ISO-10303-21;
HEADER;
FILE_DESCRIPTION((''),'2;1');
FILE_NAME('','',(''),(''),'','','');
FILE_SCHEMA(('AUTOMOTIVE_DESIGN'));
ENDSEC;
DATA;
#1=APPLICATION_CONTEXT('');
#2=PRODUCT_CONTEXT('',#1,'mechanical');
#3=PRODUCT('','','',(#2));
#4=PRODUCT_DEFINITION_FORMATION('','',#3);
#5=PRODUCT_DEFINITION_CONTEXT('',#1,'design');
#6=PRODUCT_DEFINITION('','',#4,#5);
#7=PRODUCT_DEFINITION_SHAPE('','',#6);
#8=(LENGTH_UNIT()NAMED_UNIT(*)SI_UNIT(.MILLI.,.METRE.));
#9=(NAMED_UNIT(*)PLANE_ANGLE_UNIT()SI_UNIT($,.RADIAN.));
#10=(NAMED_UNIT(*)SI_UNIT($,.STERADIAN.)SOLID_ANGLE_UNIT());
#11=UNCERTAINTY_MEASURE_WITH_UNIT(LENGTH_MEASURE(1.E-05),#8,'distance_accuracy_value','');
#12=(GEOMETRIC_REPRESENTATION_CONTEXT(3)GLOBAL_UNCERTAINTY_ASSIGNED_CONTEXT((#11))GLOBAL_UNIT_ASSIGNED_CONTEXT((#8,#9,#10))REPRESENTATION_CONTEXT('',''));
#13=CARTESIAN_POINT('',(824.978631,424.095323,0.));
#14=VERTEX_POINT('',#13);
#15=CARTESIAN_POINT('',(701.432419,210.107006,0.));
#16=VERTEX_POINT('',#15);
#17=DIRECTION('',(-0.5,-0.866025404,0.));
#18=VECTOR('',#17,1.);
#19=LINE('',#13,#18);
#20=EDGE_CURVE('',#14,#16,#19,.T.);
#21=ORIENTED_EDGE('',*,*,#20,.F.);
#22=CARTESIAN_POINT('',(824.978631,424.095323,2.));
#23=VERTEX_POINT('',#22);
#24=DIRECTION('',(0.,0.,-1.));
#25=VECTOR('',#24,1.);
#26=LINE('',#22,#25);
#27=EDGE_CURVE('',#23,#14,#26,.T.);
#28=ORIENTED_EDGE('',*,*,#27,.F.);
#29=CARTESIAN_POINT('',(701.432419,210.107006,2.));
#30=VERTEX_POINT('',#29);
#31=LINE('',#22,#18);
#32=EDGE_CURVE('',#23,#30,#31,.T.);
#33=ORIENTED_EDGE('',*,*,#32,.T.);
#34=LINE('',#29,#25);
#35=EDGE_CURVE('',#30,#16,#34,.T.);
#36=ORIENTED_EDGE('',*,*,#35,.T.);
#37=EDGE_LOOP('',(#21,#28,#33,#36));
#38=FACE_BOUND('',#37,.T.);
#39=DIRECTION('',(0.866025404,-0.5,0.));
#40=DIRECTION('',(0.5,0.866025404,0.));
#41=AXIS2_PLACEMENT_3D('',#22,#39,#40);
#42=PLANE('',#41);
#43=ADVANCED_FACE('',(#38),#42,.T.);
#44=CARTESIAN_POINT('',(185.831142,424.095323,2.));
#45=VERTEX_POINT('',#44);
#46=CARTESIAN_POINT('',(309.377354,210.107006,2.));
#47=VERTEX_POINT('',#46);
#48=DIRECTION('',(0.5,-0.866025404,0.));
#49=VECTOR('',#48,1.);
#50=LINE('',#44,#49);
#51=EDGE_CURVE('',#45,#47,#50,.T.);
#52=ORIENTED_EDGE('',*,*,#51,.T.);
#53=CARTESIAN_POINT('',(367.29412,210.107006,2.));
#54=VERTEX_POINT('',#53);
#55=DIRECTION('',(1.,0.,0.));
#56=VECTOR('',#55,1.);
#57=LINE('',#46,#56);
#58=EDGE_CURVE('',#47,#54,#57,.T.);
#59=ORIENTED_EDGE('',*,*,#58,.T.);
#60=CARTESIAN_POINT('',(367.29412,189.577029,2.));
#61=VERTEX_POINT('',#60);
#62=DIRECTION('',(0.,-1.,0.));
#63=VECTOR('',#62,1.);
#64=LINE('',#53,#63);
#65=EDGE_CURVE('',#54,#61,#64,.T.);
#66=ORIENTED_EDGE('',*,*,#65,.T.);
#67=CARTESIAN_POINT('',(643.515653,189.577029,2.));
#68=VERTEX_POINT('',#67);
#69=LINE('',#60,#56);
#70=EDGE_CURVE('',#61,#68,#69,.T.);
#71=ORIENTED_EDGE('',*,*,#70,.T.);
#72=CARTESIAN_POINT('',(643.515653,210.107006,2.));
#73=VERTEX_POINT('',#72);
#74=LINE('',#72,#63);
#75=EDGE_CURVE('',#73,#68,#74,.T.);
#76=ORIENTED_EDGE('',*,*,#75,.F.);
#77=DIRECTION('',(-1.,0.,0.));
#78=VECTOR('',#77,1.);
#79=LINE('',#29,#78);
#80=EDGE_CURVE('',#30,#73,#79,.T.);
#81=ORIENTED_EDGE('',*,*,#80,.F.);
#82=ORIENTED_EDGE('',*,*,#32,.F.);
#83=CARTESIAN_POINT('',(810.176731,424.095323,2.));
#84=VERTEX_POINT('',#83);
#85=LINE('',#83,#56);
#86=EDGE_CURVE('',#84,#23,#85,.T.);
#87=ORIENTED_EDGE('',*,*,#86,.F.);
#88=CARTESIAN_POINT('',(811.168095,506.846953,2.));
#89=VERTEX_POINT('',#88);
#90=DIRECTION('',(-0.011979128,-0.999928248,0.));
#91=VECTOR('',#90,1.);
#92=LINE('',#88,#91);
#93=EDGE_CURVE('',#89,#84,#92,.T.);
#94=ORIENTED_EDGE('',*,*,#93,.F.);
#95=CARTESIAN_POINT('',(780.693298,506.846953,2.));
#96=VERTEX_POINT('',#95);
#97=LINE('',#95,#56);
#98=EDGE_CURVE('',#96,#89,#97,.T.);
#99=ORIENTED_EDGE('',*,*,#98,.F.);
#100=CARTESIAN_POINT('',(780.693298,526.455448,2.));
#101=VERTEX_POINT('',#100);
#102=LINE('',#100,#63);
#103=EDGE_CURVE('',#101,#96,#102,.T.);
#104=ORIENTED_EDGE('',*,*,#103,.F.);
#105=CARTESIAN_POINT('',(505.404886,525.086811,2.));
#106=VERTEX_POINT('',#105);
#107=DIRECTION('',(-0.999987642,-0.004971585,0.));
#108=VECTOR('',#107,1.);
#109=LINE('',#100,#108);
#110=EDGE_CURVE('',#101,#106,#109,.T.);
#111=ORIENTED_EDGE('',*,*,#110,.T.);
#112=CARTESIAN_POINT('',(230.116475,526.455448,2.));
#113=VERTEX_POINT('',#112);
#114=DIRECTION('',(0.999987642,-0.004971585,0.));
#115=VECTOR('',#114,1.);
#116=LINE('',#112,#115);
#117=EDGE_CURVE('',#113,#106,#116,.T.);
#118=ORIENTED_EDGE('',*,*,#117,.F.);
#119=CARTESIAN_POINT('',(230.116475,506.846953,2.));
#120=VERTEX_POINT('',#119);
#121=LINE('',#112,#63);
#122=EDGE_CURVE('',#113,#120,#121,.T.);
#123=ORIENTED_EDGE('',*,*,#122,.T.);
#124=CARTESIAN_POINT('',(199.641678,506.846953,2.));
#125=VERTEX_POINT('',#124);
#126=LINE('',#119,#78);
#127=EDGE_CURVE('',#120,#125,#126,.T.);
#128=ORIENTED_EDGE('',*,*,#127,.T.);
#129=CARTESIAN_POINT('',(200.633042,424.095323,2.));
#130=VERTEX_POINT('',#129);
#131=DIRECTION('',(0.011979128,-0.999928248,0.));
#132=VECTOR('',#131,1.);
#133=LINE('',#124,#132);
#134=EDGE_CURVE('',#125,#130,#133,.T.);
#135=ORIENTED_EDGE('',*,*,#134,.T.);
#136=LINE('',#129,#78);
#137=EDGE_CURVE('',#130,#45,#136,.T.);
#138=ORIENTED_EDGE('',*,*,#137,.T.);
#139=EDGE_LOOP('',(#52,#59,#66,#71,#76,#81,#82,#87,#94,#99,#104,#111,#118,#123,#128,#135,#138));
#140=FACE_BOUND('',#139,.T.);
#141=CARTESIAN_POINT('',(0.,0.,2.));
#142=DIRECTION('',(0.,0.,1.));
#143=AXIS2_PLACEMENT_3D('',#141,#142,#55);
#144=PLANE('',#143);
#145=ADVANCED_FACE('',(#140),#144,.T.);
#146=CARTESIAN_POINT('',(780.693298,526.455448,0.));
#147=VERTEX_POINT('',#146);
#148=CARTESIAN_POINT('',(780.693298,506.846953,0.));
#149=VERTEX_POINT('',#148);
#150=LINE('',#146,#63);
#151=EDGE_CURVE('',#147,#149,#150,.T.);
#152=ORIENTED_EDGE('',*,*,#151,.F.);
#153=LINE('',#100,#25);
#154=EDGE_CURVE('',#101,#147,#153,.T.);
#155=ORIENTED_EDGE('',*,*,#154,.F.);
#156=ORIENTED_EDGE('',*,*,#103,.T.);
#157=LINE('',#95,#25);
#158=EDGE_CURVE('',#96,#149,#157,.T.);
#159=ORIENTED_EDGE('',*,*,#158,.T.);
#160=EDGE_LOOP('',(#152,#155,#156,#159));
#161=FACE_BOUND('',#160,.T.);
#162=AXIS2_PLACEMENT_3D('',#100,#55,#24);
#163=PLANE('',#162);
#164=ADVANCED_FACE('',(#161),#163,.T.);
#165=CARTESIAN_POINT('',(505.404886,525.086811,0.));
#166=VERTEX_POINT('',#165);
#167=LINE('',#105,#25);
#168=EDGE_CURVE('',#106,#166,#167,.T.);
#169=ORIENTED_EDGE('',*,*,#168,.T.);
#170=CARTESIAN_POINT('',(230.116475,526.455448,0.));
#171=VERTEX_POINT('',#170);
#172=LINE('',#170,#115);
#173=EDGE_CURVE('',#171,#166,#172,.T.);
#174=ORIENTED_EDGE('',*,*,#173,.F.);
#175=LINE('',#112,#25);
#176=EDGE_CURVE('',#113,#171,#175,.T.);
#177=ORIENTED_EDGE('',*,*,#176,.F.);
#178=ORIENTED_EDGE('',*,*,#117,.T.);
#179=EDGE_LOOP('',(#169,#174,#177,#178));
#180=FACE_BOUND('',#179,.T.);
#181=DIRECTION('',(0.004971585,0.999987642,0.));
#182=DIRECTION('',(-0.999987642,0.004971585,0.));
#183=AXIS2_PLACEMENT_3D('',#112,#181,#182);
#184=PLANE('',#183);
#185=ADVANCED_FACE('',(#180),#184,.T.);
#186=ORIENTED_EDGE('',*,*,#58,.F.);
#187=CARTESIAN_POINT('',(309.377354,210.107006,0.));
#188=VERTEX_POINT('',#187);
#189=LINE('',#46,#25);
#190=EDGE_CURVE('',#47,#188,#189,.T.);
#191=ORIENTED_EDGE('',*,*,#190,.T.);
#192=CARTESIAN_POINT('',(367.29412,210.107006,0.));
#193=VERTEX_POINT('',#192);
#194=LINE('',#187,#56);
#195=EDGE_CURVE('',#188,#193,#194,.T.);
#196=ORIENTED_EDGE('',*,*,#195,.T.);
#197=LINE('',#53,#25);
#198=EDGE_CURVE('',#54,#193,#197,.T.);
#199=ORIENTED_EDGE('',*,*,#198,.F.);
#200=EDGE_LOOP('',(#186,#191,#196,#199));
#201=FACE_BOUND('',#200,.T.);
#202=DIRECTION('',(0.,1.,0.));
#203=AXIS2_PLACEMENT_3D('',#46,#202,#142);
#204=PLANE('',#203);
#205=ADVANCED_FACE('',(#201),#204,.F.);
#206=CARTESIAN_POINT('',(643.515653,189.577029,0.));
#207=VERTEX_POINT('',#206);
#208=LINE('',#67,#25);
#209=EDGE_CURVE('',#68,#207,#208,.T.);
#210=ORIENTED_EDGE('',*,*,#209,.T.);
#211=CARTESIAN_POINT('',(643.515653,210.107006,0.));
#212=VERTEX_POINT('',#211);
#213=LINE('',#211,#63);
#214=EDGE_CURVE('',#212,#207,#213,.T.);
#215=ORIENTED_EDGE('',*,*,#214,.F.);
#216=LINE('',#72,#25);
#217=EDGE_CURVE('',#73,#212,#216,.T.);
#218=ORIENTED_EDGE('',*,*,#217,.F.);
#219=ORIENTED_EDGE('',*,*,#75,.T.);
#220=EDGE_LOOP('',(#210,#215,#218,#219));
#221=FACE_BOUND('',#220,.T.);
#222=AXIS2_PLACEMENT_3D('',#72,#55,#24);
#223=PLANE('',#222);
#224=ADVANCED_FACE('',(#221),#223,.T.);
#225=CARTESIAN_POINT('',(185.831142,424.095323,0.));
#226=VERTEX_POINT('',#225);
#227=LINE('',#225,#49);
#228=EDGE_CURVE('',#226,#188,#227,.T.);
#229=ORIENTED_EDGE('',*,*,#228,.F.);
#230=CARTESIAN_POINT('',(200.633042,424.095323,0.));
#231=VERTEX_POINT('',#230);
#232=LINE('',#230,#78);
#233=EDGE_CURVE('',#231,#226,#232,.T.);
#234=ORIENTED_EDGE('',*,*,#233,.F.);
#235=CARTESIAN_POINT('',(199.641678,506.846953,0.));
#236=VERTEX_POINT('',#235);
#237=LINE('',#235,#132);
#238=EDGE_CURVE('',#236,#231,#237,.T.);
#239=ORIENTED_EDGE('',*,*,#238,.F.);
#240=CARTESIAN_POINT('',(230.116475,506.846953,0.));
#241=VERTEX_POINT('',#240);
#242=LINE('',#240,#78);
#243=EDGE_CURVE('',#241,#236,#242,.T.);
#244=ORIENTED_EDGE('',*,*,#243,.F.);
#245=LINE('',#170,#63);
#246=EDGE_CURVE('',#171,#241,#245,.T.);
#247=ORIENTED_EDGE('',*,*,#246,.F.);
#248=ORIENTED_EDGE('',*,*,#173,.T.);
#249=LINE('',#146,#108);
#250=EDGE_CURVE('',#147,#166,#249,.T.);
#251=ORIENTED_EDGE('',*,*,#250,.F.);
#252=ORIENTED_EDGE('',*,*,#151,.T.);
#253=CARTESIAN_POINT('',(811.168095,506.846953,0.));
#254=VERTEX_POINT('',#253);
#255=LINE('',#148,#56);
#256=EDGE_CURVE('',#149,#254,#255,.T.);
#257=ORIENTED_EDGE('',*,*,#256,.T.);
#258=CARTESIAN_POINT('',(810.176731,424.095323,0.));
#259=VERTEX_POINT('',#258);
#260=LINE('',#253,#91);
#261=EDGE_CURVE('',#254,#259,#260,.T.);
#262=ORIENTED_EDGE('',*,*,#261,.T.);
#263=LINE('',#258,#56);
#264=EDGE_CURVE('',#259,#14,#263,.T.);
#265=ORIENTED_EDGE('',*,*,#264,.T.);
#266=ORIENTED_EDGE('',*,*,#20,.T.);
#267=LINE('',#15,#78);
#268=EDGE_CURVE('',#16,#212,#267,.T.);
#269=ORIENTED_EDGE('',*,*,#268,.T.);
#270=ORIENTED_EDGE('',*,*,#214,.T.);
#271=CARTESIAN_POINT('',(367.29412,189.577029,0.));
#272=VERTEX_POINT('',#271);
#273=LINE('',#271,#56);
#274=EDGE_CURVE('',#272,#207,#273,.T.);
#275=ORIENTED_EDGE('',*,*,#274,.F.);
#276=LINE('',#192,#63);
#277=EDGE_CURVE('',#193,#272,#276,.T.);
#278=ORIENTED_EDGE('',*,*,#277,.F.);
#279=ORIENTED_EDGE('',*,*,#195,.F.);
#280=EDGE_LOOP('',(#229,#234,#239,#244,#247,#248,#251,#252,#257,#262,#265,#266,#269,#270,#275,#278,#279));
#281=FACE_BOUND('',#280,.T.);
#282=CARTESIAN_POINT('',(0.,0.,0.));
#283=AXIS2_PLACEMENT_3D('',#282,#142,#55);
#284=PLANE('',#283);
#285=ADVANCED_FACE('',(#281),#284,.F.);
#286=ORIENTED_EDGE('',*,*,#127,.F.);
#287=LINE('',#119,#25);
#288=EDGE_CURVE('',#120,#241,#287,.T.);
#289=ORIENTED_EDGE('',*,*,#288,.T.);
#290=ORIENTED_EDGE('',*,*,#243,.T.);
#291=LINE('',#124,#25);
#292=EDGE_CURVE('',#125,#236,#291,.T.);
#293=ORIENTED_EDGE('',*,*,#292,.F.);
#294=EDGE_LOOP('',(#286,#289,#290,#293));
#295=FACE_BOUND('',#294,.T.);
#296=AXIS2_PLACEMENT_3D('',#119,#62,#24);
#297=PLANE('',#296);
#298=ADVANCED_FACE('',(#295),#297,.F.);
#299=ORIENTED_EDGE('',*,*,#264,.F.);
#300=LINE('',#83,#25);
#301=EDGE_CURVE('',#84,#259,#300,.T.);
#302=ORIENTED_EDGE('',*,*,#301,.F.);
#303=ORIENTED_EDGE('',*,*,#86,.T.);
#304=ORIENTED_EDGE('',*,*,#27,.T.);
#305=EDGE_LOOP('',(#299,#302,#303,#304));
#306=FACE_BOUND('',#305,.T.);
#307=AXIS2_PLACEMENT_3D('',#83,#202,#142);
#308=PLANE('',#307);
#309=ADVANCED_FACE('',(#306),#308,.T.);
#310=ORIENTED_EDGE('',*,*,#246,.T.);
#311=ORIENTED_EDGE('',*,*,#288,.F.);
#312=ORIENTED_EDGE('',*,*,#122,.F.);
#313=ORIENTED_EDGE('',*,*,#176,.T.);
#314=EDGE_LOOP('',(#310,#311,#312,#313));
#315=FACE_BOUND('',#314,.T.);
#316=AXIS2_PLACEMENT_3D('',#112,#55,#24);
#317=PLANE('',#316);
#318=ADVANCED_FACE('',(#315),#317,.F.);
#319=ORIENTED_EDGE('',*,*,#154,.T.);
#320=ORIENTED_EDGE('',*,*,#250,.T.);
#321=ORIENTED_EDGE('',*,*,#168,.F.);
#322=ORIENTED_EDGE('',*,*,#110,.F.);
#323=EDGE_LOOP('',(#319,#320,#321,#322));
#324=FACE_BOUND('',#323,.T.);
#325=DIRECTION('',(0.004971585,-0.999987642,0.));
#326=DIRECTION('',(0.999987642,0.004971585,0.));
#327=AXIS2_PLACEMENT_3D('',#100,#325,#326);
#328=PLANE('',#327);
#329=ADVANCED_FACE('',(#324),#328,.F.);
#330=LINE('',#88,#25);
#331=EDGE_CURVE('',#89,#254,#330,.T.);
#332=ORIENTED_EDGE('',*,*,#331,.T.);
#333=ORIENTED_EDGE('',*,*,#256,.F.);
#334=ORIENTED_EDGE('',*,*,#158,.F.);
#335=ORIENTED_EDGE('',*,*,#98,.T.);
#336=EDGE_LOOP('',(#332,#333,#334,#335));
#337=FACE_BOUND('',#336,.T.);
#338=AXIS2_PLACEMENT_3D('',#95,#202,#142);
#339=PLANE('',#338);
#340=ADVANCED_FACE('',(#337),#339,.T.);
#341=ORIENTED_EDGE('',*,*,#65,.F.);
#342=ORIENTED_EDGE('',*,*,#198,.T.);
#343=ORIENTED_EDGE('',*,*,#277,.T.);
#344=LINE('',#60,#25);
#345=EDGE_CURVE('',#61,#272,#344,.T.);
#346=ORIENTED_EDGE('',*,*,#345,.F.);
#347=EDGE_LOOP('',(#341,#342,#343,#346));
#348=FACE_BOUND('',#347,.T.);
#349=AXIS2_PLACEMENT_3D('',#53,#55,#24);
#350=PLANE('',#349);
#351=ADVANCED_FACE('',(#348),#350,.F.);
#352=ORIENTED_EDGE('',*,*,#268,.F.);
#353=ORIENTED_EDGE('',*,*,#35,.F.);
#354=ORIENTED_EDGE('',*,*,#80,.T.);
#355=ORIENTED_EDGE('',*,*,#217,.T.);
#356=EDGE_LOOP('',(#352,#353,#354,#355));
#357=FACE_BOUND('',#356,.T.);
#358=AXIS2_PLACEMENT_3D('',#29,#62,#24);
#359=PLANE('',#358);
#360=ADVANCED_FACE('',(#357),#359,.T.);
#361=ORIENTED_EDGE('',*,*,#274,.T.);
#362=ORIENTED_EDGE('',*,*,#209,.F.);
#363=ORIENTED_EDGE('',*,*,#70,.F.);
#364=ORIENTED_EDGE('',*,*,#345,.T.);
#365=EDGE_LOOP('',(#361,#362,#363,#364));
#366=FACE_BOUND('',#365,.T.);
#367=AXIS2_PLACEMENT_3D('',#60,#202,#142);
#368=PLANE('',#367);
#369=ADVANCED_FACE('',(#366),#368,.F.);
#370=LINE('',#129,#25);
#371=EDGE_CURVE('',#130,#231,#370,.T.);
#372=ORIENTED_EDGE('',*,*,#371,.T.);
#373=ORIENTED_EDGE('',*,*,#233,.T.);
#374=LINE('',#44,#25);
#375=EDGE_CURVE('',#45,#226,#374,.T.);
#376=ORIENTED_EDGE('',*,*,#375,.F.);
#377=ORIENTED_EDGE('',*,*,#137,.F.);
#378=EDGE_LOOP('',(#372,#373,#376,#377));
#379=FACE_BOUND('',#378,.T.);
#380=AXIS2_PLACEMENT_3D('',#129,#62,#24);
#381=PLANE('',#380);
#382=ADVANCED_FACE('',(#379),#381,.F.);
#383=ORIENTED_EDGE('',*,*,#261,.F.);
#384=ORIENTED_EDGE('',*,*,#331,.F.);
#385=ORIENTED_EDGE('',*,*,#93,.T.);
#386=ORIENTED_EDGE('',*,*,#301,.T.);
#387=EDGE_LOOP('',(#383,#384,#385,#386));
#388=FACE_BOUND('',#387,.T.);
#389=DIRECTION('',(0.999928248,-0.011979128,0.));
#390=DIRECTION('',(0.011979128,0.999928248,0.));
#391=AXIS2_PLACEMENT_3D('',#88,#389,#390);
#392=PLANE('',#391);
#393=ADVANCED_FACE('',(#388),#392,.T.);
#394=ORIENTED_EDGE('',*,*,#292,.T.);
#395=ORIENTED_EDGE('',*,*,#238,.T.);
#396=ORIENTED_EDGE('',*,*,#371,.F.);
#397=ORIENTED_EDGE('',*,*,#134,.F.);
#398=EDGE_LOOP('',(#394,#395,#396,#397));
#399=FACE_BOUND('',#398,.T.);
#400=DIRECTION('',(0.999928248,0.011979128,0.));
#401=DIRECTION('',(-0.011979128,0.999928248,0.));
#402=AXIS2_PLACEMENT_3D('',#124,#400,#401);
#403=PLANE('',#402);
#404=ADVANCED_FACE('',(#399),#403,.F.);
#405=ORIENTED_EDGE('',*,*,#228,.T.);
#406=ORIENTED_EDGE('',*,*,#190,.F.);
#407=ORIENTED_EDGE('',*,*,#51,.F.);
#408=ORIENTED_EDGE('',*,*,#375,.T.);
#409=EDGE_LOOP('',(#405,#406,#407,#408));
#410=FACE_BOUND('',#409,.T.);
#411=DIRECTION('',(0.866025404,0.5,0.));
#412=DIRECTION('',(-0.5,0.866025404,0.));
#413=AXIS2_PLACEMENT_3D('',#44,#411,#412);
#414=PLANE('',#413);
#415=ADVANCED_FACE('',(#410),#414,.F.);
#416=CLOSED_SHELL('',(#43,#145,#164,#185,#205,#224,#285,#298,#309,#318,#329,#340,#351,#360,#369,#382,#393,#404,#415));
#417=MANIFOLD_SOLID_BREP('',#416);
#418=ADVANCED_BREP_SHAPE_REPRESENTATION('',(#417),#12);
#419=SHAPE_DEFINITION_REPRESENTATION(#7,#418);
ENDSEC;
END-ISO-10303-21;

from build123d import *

# Parameters (mm, degrees)
BOSS_EXTRUDE1_DEPTH = 2


with BuildPart() as part:
    # Sketch1 → Boss-Extrude1 (new body)
    with BuildSketch(Plane.XY):
        Polygon((200.633041838, 424.095322805), (185.831141678, 424.095322805), (309.377353743, 210.107006425), (367.2941201, 210.107006425), (367.2941201, 189.577029057), (643.515652788, 189.577029057), (643.515652788, 210.107006425), (701.432419146, 210.107006425), (824.978631211, 424.095322805), (810.17673105, 424.095322805), (811.168094525, 506.846953045), (780.693298387, 506.846953045), (780.693298387, 526.455448064), (505.404886444, 525.086811412), (230.116474501, 526.455448064), (230.116474501, 506.846953045), (199.641678363, 506.846953045), align=None)
    extrude(amount=BOSS_EXTRUDE1_DEPTH)


solid = part.part
